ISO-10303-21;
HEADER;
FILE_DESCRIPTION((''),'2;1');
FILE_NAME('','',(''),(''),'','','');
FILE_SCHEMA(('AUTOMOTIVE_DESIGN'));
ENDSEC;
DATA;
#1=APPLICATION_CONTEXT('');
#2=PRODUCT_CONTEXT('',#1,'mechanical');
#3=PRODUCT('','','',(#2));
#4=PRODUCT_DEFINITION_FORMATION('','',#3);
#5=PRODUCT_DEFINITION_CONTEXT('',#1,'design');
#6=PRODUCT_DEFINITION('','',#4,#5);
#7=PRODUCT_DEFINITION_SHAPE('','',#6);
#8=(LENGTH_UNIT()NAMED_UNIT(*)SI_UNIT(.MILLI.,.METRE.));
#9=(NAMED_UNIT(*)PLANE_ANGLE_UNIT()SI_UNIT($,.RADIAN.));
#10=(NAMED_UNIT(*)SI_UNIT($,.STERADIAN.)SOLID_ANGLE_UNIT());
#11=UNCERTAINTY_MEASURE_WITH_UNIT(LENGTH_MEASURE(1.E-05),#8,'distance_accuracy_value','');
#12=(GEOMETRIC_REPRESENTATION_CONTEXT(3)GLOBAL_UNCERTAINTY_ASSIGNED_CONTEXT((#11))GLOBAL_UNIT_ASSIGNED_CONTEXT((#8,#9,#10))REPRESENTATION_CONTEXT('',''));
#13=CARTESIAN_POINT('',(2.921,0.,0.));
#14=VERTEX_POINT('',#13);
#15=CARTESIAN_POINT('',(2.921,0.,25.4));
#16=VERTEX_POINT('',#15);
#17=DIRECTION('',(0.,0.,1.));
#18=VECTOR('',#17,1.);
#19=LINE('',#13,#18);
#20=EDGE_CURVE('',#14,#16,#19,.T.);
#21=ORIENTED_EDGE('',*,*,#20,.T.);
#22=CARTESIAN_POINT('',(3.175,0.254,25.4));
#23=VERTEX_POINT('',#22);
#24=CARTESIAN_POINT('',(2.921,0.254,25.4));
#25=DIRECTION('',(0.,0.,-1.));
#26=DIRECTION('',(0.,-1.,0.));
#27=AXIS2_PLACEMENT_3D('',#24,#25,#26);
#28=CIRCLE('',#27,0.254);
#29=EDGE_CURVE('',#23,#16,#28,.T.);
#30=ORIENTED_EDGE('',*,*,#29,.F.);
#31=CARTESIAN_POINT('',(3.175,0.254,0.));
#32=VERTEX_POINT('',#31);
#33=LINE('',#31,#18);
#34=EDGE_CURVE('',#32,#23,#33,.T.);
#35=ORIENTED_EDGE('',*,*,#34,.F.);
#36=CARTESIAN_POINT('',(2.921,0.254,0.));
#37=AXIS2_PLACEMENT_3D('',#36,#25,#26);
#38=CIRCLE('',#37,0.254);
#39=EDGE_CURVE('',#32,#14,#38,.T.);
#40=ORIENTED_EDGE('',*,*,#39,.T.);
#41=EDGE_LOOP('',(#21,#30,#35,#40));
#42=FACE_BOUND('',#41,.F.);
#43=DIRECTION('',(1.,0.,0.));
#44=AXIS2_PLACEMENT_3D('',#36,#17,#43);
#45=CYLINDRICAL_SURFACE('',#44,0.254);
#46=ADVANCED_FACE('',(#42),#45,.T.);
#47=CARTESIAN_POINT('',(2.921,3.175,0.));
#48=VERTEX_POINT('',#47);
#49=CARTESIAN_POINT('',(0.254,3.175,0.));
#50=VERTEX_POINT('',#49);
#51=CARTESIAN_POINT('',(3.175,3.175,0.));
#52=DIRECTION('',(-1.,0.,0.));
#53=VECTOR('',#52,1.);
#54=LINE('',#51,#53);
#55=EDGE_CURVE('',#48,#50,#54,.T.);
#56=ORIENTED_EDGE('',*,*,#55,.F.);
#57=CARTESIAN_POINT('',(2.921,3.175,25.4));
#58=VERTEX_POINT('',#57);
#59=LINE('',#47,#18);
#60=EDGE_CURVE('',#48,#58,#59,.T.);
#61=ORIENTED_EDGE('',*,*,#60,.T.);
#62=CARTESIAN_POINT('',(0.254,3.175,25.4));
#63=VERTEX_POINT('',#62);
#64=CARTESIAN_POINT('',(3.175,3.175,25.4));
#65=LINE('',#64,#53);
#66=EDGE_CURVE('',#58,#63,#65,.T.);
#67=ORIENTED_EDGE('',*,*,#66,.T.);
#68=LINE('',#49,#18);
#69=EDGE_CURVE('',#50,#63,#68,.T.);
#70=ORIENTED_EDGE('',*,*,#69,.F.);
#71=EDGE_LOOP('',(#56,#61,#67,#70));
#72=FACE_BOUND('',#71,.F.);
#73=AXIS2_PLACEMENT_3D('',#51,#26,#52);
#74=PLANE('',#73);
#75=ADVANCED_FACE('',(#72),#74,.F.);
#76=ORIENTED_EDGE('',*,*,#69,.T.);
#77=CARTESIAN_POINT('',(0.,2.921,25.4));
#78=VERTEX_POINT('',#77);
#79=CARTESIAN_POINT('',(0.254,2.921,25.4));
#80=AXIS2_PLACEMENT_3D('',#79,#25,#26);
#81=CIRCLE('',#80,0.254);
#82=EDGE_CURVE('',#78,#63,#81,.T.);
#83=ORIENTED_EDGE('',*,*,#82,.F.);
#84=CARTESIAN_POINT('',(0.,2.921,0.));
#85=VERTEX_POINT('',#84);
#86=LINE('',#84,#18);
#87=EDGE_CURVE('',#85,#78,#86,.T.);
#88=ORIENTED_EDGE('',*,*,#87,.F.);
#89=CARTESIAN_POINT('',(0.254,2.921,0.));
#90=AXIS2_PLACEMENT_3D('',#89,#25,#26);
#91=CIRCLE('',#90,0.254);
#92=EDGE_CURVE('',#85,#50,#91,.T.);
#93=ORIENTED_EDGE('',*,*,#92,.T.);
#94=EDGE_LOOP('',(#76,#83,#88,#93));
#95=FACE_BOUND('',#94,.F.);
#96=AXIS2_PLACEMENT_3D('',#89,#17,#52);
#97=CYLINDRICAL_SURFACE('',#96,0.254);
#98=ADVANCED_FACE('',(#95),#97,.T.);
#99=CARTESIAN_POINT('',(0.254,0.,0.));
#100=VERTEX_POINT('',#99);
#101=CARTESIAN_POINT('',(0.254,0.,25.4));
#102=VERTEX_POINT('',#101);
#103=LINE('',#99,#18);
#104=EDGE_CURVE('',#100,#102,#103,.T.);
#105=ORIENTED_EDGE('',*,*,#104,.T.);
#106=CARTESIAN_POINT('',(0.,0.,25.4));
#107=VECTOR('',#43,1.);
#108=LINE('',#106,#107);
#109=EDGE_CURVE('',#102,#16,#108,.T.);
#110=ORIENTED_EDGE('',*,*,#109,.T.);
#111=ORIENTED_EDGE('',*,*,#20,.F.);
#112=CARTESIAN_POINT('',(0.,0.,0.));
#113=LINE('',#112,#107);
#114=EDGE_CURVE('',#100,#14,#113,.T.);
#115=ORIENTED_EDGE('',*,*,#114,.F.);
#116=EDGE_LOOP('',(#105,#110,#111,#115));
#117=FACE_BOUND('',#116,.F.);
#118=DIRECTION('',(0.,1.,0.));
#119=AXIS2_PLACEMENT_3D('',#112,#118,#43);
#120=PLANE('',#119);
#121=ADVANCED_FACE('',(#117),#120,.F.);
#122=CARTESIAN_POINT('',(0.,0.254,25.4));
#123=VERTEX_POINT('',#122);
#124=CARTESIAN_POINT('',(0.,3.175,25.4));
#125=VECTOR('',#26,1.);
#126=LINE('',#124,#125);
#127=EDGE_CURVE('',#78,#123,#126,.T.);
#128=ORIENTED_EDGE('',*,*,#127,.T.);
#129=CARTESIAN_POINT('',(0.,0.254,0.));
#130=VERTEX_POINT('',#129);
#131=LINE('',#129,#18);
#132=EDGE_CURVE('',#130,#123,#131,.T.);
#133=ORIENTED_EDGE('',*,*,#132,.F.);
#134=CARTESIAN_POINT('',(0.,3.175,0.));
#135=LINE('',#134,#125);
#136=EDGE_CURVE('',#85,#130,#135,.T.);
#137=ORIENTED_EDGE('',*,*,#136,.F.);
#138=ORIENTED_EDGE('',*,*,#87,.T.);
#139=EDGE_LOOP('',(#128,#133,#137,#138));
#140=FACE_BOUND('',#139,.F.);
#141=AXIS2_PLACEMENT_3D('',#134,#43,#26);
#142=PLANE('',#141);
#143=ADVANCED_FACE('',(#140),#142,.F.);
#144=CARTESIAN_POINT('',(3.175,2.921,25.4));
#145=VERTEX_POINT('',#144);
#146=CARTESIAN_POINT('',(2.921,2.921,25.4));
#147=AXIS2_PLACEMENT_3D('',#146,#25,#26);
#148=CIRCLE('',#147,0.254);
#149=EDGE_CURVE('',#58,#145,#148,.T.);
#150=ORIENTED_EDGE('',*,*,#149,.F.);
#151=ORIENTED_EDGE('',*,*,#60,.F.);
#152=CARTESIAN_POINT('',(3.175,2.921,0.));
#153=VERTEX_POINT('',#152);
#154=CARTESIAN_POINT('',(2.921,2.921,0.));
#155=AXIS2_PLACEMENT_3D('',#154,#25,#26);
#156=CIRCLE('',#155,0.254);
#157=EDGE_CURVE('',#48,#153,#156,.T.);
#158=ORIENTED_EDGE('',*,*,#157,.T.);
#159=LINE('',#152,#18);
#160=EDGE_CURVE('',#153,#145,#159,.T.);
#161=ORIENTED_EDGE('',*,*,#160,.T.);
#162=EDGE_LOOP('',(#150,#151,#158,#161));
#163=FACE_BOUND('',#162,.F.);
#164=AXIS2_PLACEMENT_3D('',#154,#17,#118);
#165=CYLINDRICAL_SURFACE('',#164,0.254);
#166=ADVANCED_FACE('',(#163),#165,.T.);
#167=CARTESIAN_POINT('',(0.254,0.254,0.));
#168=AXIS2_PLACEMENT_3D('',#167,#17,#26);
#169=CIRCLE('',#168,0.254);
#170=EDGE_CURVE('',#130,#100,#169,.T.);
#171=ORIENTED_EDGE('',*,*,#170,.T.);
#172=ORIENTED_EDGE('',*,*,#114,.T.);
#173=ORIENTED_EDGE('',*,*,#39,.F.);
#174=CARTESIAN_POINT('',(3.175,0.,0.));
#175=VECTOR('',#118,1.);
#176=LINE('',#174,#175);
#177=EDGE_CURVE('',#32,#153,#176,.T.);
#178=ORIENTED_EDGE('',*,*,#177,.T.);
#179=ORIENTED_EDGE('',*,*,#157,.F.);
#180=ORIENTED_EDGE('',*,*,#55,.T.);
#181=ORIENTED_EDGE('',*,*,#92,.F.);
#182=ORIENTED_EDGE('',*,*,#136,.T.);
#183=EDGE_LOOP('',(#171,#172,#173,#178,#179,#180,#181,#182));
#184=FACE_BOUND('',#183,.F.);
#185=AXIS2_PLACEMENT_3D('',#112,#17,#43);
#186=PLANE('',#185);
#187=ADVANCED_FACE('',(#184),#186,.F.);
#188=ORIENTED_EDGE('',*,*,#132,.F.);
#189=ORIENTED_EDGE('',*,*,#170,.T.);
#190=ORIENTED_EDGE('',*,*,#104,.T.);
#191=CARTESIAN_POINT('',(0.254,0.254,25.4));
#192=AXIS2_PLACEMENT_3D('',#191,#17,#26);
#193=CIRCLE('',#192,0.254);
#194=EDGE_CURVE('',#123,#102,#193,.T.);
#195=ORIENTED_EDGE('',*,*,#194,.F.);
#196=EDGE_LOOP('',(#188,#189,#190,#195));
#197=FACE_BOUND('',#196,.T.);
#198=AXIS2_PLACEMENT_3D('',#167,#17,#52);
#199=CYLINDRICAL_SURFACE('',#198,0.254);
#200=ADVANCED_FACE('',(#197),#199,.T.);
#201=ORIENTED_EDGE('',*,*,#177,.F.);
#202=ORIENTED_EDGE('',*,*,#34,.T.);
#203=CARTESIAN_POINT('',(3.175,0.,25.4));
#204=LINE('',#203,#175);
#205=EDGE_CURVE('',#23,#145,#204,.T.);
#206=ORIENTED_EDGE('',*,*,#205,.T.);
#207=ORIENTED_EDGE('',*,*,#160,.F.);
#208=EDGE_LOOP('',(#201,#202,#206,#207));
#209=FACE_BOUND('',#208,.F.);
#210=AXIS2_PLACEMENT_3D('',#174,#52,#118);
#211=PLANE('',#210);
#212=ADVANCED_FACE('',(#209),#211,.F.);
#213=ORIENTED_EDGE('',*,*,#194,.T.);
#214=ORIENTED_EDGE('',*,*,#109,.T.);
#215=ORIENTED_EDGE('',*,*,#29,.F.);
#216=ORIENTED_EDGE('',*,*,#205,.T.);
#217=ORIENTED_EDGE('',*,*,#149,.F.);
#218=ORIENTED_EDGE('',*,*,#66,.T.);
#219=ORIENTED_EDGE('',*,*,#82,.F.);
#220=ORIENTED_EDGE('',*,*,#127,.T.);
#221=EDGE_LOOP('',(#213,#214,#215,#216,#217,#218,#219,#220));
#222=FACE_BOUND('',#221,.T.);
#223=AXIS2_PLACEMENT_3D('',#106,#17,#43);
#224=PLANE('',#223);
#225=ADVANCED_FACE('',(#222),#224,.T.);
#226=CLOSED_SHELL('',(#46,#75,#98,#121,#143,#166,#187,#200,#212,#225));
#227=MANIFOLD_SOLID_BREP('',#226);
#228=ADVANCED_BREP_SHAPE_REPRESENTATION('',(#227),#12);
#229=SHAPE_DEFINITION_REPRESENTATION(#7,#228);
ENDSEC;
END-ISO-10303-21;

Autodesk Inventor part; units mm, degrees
ref_plane "YZ Plane" through (0, 0, 0) normal (1, 0, 0) x (0, 1, 0)
ref_plane "XZ Plane" through (0, 0, 0) normal (0, 1, 0) x (-1, 0, 0)
ref_plane "XY Plane" through (0, 0, 0) normal (0, 0, 1) x (1, 0, 0)
sketch "Sketch1" plane through (0, 0, 0) normal (0, 0, 1) x (1, 0, 0)
  line L0 (0, 0) -> (3.175, 0)
  line L1 (3.175, 0) -> (3.175, 3.175)
  line L2 (3.175, 3.175) -> (0, 3.175)
  line L3 (0, 3.175) -> (0, 0)
  dimension "d0" = 3.175
extrude "Extrusion1" add sketch "Sketch1" along normal blind 25.4
fillet "Fillet1" radius 0.254 4 edges at (3.175, 3.175, 12.7) (0, 3.175, 12.7) (3.175, 0, 12.7) (0, 0, 12.7)
properties part number "0.125 key" material "Steel"
